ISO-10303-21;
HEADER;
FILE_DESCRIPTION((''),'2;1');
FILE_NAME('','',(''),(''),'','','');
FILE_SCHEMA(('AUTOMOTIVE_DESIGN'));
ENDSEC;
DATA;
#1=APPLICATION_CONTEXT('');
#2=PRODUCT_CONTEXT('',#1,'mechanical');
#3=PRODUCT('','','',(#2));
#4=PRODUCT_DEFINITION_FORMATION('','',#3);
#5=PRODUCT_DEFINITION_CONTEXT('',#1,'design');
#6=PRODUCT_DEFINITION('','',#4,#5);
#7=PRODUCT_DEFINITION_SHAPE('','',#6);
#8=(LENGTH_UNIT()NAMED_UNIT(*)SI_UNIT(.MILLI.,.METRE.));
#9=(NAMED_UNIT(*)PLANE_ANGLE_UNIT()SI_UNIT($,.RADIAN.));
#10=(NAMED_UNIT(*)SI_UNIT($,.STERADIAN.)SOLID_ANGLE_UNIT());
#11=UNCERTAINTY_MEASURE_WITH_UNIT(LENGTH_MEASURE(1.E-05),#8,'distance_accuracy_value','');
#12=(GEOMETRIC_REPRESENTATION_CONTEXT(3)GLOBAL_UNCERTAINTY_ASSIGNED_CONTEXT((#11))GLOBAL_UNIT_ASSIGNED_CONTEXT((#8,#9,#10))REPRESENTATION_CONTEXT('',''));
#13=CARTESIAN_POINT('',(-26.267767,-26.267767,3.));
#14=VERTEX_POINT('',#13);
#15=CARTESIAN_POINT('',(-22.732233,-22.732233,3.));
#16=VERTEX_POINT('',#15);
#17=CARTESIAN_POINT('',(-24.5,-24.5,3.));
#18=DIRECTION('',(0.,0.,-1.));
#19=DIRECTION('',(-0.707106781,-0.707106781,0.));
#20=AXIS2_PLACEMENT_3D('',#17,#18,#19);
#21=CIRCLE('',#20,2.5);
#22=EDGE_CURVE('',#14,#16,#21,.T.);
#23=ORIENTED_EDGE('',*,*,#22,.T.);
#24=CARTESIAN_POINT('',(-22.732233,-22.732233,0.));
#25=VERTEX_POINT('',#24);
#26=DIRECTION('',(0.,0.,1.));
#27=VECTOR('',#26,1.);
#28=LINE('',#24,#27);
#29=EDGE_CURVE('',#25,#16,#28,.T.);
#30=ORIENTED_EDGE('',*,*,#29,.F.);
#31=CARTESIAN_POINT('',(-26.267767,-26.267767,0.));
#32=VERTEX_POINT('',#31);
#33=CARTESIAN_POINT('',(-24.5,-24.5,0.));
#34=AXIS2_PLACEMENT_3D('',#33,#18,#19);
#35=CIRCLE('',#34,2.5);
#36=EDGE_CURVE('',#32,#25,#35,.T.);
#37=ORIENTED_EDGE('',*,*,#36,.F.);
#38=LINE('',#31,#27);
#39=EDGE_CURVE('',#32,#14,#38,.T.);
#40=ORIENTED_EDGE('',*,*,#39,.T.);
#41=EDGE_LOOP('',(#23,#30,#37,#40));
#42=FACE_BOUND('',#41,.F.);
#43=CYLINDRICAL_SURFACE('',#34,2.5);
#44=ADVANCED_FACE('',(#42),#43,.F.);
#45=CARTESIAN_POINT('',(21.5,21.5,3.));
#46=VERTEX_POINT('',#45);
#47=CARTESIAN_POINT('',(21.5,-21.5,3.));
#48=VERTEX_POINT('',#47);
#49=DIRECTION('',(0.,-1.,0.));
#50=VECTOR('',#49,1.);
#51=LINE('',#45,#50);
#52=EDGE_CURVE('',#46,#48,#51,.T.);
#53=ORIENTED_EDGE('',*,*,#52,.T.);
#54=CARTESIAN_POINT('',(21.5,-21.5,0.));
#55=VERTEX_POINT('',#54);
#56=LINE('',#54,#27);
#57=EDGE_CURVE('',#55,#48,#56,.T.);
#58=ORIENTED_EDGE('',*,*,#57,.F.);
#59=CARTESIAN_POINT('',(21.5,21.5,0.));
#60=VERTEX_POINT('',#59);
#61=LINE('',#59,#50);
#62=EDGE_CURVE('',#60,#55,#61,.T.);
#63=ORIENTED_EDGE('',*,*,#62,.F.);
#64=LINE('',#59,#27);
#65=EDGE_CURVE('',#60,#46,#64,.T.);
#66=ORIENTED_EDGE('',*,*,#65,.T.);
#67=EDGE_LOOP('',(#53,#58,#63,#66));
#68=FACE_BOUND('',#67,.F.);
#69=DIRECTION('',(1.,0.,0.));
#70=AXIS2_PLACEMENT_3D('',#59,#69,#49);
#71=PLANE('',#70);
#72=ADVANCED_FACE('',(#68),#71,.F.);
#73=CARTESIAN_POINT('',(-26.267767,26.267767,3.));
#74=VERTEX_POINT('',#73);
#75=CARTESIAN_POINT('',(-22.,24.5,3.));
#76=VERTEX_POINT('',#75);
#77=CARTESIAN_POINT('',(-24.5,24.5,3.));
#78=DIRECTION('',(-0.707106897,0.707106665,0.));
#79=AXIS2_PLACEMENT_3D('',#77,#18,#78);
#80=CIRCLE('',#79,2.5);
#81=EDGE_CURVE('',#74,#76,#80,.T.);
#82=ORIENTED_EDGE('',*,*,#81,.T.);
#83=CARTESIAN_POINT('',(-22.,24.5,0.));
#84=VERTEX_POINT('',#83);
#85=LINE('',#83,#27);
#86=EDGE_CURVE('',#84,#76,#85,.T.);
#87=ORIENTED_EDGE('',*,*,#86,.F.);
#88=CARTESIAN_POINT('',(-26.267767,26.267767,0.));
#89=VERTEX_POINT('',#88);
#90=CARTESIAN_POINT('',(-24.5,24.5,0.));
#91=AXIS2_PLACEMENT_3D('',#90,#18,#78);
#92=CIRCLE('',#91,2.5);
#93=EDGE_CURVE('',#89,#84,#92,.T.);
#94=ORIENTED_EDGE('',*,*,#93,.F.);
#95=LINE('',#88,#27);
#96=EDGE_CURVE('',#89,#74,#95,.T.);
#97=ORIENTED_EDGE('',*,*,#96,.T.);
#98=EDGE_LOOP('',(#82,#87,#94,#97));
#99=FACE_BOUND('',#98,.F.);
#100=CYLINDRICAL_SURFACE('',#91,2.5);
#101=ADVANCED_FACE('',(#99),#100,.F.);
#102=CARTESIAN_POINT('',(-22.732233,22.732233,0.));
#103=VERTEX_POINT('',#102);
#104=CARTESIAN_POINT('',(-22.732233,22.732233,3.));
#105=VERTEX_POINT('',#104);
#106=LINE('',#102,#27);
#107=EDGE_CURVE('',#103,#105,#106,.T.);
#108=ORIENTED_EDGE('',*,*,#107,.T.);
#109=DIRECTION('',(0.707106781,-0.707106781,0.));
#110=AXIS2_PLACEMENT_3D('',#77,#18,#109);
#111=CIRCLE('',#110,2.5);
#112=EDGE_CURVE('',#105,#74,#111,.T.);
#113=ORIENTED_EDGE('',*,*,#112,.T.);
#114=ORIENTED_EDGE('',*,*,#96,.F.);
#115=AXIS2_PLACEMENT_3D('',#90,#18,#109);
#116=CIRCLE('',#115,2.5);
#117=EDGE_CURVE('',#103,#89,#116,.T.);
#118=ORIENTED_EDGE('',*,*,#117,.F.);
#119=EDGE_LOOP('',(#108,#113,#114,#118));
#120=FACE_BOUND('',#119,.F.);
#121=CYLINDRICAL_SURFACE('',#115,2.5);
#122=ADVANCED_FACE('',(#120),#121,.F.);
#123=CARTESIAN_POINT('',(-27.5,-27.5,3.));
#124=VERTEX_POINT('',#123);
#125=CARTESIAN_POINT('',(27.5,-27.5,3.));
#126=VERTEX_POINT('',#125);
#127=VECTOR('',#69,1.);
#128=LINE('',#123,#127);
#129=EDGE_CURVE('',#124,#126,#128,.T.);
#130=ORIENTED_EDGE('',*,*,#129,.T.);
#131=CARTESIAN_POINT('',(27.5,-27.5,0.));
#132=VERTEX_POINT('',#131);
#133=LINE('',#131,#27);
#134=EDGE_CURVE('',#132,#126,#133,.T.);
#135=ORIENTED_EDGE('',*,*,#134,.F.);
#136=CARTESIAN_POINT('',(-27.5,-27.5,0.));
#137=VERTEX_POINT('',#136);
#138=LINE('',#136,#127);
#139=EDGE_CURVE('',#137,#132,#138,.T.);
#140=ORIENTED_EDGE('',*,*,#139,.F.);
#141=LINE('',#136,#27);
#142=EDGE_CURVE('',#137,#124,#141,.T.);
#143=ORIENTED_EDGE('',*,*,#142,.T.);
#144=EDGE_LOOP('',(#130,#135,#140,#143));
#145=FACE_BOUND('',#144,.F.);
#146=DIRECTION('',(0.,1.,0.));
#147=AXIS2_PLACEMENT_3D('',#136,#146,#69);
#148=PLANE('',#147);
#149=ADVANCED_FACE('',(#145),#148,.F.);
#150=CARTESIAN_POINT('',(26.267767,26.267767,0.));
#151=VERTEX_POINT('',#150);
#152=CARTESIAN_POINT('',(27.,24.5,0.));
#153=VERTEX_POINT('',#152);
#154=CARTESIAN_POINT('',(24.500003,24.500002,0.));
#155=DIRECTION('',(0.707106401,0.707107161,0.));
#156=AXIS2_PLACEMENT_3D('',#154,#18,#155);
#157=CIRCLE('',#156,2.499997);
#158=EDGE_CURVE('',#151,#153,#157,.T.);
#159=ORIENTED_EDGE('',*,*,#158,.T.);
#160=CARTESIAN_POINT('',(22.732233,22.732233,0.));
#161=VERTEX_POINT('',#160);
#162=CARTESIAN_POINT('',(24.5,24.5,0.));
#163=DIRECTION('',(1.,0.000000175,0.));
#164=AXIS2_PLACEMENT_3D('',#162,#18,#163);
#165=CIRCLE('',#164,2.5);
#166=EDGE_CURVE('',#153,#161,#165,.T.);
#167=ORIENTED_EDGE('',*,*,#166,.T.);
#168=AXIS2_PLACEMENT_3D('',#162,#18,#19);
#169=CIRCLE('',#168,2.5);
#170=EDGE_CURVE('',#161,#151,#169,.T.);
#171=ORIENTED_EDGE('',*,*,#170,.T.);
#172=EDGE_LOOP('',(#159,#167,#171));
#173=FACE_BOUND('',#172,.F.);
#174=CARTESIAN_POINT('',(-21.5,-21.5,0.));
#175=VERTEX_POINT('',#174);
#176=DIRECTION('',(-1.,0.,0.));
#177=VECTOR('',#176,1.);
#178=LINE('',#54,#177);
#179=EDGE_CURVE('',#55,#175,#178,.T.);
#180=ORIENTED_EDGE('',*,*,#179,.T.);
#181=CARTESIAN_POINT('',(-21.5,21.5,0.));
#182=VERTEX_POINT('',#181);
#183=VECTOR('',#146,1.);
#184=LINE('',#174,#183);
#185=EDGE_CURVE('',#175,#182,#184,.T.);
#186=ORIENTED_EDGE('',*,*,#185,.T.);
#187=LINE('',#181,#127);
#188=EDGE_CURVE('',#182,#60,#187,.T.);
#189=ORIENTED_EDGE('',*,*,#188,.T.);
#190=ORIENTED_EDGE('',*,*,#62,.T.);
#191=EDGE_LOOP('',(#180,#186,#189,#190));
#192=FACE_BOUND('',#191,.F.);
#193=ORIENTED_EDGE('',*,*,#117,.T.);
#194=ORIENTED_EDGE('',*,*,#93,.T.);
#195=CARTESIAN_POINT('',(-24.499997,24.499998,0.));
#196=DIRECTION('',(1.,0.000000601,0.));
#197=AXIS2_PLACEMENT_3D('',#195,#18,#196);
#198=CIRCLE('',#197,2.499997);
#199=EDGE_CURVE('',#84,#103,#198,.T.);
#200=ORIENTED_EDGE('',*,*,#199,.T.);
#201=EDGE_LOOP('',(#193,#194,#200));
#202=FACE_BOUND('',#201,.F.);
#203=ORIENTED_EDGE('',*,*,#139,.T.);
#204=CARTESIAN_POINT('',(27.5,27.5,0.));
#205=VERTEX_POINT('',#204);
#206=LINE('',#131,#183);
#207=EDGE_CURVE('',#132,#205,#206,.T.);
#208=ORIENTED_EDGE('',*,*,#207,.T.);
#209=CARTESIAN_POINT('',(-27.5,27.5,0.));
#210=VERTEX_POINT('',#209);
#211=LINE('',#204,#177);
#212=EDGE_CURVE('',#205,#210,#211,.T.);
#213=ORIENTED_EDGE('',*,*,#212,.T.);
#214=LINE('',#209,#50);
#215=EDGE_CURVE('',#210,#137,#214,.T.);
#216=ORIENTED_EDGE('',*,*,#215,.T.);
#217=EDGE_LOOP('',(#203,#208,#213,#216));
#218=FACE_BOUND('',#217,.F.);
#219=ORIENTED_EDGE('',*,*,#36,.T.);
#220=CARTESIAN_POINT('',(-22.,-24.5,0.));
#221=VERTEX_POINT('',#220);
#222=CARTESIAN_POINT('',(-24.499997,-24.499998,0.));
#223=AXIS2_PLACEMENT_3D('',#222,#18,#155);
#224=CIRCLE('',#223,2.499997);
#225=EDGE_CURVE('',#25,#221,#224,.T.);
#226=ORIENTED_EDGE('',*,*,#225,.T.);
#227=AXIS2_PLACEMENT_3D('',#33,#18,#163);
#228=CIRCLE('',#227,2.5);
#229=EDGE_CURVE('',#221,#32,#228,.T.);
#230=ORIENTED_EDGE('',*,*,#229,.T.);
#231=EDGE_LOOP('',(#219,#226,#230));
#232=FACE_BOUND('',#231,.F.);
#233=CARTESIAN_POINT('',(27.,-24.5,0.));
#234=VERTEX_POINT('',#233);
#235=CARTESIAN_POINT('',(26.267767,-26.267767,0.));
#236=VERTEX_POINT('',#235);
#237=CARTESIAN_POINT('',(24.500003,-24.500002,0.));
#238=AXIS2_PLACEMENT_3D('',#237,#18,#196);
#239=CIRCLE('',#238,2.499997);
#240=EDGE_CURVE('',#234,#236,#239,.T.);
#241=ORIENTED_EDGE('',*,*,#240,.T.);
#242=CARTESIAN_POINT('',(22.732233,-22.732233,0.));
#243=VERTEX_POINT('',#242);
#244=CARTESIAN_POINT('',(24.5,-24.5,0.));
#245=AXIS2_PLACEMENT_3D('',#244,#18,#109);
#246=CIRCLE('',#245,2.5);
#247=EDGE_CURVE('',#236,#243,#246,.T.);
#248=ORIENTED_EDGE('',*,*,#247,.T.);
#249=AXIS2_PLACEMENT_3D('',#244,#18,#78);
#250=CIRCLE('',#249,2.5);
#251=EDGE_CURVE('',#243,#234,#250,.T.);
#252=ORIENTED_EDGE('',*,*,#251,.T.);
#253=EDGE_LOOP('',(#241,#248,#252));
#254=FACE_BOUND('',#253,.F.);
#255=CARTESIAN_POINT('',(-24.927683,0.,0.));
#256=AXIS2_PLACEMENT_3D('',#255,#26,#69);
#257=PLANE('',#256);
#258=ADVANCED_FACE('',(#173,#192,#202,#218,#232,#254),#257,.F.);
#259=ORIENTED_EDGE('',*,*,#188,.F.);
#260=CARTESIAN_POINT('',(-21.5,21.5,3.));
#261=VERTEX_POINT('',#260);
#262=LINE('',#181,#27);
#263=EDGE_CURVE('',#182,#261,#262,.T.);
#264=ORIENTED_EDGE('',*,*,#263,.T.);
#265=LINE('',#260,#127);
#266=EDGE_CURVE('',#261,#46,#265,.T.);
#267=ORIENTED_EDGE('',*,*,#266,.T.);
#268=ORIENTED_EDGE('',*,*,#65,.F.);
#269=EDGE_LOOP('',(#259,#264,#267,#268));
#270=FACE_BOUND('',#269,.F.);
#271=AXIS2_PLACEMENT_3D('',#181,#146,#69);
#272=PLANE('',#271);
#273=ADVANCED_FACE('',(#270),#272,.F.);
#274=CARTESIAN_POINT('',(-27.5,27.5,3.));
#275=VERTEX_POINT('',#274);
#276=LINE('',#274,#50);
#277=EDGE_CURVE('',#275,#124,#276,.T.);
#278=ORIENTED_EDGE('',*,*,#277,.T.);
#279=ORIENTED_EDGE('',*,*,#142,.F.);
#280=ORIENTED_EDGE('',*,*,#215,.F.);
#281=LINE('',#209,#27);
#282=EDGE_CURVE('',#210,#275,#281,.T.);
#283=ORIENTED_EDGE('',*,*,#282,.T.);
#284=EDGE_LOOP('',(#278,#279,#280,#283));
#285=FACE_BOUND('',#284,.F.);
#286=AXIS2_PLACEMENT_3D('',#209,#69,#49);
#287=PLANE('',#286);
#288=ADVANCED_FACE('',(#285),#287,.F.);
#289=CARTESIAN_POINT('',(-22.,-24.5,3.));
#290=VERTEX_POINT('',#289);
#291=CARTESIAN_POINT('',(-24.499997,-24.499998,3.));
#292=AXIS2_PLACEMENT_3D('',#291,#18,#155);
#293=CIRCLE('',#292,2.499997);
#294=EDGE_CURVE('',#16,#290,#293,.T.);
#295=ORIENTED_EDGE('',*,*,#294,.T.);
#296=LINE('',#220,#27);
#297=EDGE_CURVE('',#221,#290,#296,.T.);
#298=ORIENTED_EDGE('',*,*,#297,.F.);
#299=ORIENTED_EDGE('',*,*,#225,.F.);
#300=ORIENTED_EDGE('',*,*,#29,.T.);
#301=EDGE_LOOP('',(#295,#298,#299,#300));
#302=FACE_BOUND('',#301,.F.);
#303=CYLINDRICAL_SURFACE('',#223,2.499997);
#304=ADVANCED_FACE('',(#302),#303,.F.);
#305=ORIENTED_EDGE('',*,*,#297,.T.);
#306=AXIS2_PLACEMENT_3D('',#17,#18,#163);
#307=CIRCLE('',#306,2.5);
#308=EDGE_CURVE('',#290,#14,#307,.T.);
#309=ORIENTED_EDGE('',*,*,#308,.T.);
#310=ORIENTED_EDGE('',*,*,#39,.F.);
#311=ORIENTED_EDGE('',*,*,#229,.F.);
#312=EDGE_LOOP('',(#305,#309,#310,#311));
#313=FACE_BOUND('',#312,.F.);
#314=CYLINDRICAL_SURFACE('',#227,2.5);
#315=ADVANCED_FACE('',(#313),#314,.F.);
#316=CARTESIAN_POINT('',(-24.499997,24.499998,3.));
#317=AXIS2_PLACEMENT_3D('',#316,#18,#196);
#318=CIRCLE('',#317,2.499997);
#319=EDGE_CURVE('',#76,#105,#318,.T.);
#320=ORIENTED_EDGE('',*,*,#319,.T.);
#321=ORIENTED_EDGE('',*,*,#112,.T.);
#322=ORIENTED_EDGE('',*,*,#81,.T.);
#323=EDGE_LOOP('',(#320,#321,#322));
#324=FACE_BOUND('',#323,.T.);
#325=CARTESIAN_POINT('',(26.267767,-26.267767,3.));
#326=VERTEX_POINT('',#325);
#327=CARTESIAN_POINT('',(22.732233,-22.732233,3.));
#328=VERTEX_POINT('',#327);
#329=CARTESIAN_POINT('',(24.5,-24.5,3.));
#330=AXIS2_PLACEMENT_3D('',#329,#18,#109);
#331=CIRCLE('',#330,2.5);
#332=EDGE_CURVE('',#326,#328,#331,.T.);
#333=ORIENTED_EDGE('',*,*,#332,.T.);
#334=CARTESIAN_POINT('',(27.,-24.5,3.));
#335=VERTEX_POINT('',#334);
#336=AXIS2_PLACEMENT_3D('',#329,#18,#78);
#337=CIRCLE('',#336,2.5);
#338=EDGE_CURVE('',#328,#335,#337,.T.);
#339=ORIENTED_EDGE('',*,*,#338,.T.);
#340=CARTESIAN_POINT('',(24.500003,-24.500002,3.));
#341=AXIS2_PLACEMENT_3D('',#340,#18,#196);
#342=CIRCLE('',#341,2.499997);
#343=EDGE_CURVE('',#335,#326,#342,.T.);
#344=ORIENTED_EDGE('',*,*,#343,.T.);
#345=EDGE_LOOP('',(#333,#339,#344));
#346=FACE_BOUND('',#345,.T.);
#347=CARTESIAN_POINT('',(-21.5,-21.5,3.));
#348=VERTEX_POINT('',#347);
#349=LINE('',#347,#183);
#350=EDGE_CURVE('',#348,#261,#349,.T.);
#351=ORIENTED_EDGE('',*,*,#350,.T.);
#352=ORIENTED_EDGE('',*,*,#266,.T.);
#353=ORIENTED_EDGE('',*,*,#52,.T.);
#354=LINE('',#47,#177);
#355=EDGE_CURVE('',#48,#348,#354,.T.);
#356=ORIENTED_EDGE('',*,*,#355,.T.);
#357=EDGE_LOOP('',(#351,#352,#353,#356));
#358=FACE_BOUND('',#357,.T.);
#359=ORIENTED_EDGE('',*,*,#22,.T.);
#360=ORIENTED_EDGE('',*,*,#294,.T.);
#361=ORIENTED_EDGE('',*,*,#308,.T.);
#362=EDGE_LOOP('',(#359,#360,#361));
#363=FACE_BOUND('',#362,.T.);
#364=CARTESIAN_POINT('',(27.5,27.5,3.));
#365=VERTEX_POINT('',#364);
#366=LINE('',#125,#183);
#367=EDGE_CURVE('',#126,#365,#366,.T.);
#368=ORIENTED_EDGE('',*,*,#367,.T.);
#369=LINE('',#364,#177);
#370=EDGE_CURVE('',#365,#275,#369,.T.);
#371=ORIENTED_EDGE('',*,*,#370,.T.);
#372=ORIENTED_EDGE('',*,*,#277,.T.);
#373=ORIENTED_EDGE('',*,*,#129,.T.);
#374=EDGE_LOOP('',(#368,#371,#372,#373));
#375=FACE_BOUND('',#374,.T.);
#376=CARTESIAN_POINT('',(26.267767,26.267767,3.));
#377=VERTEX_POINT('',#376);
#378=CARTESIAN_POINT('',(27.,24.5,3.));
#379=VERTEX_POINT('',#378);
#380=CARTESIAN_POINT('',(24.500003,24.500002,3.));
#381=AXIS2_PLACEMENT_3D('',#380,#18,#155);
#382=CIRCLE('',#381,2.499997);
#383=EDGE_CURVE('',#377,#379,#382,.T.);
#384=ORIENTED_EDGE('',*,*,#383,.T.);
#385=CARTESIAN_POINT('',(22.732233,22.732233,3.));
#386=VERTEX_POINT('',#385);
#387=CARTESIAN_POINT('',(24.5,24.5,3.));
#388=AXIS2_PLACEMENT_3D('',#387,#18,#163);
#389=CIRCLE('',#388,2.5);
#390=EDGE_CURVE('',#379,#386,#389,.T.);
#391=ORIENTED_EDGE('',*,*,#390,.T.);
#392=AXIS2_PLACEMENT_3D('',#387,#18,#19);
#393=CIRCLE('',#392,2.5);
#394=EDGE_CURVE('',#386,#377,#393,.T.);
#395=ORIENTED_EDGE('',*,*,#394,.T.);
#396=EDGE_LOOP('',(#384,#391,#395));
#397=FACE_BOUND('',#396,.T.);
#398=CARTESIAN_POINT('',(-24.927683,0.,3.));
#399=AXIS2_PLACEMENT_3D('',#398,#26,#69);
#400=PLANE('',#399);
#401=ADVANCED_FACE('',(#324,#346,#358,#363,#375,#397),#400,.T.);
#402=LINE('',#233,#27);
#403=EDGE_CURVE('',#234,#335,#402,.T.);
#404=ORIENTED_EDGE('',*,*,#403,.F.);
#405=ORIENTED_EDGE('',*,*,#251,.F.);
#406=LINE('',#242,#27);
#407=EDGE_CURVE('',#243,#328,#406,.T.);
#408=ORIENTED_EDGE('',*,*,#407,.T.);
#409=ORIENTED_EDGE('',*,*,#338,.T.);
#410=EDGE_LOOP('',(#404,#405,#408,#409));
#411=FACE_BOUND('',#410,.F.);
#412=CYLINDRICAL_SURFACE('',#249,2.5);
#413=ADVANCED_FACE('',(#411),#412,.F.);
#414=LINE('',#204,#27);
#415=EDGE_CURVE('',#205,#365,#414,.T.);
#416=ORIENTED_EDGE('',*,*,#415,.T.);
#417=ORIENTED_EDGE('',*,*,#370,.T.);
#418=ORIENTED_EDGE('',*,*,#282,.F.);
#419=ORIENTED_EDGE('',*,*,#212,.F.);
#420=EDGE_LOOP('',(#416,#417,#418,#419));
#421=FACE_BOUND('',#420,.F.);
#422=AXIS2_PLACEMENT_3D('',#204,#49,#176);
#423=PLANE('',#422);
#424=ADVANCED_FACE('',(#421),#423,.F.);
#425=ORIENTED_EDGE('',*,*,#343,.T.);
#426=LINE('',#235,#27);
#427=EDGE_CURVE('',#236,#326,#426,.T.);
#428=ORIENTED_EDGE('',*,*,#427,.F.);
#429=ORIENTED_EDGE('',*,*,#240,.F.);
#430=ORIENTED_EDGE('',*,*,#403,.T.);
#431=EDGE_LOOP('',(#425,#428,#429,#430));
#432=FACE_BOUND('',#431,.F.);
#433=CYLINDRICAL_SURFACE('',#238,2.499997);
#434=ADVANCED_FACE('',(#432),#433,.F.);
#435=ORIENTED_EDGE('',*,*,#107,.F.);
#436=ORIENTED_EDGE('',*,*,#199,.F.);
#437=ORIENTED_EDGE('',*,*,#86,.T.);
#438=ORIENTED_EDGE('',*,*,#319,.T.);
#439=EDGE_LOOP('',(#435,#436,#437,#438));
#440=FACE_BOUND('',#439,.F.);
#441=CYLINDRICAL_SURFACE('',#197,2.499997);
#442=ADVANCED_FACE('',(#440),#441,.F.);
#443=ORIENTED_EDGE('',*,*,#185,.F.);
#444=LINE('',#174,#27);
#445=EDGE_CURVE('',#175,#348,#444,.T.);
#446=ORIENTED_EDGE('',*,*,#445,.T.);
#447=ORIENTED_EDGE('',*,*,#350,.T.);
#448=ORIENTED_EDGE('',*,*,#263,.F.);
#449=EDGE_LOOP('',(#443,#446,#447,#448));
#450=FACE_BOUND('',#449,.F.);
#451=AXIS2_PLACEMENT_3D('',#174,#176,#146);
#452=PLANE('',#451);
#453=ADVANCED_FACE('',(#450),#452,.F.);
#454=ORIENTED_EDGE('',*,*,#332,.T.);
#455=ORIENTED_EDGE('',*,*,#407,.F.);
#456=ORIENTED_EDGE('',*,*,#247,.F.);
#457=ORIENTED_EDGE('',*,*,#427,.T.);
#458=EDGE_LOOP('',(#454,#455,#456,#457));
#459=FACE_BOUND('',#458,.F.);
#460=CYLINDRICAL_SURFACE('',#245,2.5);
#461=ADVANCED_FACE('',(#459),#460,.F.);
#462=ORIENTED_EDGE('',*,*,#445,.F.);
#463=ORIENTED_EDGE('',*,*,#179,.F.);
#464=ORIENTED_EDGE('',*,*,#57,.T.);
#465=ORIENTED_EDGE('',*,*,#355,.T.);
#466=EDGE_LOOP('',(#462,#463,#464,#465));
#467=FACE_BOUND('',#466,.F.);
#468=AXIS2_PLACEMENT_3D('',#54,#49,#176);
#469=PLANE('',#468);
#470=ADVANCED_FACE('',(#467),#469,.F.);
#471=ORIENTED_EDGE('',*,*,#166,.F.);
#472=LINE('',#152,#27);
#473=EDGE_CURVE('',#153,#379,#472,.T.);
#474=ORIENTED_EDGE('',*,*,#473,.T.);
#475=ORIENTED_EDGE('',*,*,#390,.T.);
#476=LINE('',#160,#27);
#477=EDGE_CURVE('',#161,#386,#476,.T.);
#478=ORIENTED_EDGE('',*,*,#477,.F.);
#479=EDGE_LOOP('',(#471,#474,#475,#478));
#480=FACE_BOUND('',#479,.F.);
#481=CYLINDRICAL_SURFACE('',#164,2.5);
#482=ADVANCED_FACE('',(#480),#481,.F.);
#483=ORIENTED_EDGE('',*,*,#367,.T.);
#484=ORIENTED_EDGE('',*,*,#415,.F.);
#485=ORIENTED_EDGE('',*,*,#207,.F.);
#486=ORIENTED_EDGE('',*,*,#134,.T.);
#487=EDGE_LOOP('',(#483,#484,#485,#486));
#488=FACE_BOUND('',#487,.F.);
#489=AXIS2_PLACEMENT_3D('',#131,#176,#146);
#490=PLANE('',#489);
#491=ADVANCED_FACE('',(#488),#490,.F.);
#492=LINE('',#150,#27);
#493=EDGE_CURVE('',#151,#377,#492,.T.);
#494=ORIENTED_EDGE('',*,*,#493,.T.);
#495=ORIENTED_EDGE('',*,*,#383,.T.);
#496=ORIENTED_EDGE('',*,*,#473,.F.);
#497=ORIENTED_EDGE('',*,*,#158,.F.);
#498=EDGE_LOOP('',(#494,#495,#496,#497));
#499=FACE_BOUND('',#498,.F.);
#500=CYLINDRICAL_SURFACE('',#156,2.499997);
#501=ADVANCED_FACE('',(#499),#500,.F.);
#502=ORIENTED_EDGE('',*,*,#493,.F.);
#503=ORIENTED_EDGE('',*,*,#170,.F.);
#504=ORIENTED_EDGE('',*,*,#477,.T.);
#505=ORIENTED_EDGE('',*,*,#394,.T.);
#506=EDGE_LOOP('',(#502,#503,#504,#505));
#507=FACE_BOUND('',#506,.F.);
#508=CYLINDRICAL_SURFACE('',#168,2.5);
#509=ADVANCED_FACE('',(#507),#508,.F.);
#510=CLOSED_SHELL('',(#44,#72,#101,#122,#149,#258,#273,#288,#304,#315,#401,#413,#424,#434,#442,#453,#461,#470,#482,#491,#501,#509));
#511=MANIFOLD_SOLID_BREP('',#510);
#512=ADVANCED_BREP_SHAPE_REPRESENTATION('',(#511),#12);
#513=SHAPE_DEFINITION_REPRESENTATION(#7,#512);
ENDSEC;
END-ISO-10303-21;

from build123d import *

# Parameters (mm, degrees)
F1_DEPTH = 3


with BuildPart() as f1:
    # F0 (on Top) → F1 (new body)
    with BuildSketch(Plane.XY):
        with BuildLine():
            Line((-26.267767, 26.267767), (-27.5, 27.5))
            Line((-27.5, 27.5), (-27.5, -27.5))
            Line((-27.5, -27.5), (-26.267767, -26.267767))
            ThreePointArc((-26.267767, -26.267767), (-26.267767, -22.732233), (-22.732233, -22.732233))
            Line((-22.732233, -22.732233), (-21.5, -21.5))
            Line((-21.5, -21.5), (-21.5, 21.5))
            Line((-21.5, 21.5), (-22.732233, 22.732233))
            ThreePointArc((-22.732233, 22.732233), (-26.267767, 22.732233), (-26.267767, 26.267767))
        make_face()
        with BuildLine():
            Line((-27.5, -27.5), (27.5, -27.5))
            Line((27.5, -27.5), (26.267767, -26.267767))
            ThreePointArc((26.267767, -26.267767), (22.732233, -26.267767), (22.732233, -22.732233))
            Line((22.732233, -22.732233), (21.5, -21.5))
            Line((21.5, -21.5), (-21.5, -21.5))
            Line((-21.5, -21.5), (-22.732233, -22.732233))
            ThreePointArc((-22.732233, -22.732233), (-22.190301, -23.543291), (-22, -24.5))
            ThreePointArc((-22, -24.5), (-23.543291, -26.809699), (-26.267767, -26.267767))
            Line((-26.267767, -26.267767), (-27.5, -27.5))
        make_face()
        with BuildLine():
            Line((27.5, -27.5), (27.5, 27.5))
            Line((27.5, 27.5), (26.267767, 26.267767))
            ThreePointArc((26.267767, 26.267767), (26.809699, 25.456709), (27, 24.5))
            ThreePointArc((27, 24.5), (25.456709, 22.190301), (22.732233, 22.732233))
            Line((22.732233, 22.732233), (21.5, 21.5))
            Line((21.5, 21.5), (21.5, -21.5))
            Line((21.5, -21.5), (22.732233, -22.732233))
            ThreePointArc((22.732233, -22.732233), (25.456709, -22.190301), (27, -24.5))
            ThreePointArc((27, -24.5), (26.809699, -25.456709), (26.267767, -26.267767))
            Line((26.267767, -26.267767), (27.5, -27.5))
        make_face()
        with BuildLine():
            Line((26.267767, 26.267767), (27.5, 27.5))
            Line((27.5, 27.5), (-27.5, 27.5))
            Line((-27.5, 27.5), (-26.267767, 26.267767))
            ThreePointArc((-26.267767, 26.267767), (-23.543291, 26.809699), (-22, 24.5))
            ThreePointArc((-22, 24.5), (-22.190301, 23.543291), (-22.732233, 22.732233))
            Line((-22.732233, 22.732233), (-21.5, 21.5))
            Line((-21.5, 21.5), (21.5, 21.5))
            Line((21.5, 21.5), (22.732233, 22.732233))
            ThreePointArc((22.732233, 22.732233), (22.732233, 26.267767), (26.267767, 26.267767))
        make_face()
    extrude(amount=F1_DEPTH)


solid = f1.part
